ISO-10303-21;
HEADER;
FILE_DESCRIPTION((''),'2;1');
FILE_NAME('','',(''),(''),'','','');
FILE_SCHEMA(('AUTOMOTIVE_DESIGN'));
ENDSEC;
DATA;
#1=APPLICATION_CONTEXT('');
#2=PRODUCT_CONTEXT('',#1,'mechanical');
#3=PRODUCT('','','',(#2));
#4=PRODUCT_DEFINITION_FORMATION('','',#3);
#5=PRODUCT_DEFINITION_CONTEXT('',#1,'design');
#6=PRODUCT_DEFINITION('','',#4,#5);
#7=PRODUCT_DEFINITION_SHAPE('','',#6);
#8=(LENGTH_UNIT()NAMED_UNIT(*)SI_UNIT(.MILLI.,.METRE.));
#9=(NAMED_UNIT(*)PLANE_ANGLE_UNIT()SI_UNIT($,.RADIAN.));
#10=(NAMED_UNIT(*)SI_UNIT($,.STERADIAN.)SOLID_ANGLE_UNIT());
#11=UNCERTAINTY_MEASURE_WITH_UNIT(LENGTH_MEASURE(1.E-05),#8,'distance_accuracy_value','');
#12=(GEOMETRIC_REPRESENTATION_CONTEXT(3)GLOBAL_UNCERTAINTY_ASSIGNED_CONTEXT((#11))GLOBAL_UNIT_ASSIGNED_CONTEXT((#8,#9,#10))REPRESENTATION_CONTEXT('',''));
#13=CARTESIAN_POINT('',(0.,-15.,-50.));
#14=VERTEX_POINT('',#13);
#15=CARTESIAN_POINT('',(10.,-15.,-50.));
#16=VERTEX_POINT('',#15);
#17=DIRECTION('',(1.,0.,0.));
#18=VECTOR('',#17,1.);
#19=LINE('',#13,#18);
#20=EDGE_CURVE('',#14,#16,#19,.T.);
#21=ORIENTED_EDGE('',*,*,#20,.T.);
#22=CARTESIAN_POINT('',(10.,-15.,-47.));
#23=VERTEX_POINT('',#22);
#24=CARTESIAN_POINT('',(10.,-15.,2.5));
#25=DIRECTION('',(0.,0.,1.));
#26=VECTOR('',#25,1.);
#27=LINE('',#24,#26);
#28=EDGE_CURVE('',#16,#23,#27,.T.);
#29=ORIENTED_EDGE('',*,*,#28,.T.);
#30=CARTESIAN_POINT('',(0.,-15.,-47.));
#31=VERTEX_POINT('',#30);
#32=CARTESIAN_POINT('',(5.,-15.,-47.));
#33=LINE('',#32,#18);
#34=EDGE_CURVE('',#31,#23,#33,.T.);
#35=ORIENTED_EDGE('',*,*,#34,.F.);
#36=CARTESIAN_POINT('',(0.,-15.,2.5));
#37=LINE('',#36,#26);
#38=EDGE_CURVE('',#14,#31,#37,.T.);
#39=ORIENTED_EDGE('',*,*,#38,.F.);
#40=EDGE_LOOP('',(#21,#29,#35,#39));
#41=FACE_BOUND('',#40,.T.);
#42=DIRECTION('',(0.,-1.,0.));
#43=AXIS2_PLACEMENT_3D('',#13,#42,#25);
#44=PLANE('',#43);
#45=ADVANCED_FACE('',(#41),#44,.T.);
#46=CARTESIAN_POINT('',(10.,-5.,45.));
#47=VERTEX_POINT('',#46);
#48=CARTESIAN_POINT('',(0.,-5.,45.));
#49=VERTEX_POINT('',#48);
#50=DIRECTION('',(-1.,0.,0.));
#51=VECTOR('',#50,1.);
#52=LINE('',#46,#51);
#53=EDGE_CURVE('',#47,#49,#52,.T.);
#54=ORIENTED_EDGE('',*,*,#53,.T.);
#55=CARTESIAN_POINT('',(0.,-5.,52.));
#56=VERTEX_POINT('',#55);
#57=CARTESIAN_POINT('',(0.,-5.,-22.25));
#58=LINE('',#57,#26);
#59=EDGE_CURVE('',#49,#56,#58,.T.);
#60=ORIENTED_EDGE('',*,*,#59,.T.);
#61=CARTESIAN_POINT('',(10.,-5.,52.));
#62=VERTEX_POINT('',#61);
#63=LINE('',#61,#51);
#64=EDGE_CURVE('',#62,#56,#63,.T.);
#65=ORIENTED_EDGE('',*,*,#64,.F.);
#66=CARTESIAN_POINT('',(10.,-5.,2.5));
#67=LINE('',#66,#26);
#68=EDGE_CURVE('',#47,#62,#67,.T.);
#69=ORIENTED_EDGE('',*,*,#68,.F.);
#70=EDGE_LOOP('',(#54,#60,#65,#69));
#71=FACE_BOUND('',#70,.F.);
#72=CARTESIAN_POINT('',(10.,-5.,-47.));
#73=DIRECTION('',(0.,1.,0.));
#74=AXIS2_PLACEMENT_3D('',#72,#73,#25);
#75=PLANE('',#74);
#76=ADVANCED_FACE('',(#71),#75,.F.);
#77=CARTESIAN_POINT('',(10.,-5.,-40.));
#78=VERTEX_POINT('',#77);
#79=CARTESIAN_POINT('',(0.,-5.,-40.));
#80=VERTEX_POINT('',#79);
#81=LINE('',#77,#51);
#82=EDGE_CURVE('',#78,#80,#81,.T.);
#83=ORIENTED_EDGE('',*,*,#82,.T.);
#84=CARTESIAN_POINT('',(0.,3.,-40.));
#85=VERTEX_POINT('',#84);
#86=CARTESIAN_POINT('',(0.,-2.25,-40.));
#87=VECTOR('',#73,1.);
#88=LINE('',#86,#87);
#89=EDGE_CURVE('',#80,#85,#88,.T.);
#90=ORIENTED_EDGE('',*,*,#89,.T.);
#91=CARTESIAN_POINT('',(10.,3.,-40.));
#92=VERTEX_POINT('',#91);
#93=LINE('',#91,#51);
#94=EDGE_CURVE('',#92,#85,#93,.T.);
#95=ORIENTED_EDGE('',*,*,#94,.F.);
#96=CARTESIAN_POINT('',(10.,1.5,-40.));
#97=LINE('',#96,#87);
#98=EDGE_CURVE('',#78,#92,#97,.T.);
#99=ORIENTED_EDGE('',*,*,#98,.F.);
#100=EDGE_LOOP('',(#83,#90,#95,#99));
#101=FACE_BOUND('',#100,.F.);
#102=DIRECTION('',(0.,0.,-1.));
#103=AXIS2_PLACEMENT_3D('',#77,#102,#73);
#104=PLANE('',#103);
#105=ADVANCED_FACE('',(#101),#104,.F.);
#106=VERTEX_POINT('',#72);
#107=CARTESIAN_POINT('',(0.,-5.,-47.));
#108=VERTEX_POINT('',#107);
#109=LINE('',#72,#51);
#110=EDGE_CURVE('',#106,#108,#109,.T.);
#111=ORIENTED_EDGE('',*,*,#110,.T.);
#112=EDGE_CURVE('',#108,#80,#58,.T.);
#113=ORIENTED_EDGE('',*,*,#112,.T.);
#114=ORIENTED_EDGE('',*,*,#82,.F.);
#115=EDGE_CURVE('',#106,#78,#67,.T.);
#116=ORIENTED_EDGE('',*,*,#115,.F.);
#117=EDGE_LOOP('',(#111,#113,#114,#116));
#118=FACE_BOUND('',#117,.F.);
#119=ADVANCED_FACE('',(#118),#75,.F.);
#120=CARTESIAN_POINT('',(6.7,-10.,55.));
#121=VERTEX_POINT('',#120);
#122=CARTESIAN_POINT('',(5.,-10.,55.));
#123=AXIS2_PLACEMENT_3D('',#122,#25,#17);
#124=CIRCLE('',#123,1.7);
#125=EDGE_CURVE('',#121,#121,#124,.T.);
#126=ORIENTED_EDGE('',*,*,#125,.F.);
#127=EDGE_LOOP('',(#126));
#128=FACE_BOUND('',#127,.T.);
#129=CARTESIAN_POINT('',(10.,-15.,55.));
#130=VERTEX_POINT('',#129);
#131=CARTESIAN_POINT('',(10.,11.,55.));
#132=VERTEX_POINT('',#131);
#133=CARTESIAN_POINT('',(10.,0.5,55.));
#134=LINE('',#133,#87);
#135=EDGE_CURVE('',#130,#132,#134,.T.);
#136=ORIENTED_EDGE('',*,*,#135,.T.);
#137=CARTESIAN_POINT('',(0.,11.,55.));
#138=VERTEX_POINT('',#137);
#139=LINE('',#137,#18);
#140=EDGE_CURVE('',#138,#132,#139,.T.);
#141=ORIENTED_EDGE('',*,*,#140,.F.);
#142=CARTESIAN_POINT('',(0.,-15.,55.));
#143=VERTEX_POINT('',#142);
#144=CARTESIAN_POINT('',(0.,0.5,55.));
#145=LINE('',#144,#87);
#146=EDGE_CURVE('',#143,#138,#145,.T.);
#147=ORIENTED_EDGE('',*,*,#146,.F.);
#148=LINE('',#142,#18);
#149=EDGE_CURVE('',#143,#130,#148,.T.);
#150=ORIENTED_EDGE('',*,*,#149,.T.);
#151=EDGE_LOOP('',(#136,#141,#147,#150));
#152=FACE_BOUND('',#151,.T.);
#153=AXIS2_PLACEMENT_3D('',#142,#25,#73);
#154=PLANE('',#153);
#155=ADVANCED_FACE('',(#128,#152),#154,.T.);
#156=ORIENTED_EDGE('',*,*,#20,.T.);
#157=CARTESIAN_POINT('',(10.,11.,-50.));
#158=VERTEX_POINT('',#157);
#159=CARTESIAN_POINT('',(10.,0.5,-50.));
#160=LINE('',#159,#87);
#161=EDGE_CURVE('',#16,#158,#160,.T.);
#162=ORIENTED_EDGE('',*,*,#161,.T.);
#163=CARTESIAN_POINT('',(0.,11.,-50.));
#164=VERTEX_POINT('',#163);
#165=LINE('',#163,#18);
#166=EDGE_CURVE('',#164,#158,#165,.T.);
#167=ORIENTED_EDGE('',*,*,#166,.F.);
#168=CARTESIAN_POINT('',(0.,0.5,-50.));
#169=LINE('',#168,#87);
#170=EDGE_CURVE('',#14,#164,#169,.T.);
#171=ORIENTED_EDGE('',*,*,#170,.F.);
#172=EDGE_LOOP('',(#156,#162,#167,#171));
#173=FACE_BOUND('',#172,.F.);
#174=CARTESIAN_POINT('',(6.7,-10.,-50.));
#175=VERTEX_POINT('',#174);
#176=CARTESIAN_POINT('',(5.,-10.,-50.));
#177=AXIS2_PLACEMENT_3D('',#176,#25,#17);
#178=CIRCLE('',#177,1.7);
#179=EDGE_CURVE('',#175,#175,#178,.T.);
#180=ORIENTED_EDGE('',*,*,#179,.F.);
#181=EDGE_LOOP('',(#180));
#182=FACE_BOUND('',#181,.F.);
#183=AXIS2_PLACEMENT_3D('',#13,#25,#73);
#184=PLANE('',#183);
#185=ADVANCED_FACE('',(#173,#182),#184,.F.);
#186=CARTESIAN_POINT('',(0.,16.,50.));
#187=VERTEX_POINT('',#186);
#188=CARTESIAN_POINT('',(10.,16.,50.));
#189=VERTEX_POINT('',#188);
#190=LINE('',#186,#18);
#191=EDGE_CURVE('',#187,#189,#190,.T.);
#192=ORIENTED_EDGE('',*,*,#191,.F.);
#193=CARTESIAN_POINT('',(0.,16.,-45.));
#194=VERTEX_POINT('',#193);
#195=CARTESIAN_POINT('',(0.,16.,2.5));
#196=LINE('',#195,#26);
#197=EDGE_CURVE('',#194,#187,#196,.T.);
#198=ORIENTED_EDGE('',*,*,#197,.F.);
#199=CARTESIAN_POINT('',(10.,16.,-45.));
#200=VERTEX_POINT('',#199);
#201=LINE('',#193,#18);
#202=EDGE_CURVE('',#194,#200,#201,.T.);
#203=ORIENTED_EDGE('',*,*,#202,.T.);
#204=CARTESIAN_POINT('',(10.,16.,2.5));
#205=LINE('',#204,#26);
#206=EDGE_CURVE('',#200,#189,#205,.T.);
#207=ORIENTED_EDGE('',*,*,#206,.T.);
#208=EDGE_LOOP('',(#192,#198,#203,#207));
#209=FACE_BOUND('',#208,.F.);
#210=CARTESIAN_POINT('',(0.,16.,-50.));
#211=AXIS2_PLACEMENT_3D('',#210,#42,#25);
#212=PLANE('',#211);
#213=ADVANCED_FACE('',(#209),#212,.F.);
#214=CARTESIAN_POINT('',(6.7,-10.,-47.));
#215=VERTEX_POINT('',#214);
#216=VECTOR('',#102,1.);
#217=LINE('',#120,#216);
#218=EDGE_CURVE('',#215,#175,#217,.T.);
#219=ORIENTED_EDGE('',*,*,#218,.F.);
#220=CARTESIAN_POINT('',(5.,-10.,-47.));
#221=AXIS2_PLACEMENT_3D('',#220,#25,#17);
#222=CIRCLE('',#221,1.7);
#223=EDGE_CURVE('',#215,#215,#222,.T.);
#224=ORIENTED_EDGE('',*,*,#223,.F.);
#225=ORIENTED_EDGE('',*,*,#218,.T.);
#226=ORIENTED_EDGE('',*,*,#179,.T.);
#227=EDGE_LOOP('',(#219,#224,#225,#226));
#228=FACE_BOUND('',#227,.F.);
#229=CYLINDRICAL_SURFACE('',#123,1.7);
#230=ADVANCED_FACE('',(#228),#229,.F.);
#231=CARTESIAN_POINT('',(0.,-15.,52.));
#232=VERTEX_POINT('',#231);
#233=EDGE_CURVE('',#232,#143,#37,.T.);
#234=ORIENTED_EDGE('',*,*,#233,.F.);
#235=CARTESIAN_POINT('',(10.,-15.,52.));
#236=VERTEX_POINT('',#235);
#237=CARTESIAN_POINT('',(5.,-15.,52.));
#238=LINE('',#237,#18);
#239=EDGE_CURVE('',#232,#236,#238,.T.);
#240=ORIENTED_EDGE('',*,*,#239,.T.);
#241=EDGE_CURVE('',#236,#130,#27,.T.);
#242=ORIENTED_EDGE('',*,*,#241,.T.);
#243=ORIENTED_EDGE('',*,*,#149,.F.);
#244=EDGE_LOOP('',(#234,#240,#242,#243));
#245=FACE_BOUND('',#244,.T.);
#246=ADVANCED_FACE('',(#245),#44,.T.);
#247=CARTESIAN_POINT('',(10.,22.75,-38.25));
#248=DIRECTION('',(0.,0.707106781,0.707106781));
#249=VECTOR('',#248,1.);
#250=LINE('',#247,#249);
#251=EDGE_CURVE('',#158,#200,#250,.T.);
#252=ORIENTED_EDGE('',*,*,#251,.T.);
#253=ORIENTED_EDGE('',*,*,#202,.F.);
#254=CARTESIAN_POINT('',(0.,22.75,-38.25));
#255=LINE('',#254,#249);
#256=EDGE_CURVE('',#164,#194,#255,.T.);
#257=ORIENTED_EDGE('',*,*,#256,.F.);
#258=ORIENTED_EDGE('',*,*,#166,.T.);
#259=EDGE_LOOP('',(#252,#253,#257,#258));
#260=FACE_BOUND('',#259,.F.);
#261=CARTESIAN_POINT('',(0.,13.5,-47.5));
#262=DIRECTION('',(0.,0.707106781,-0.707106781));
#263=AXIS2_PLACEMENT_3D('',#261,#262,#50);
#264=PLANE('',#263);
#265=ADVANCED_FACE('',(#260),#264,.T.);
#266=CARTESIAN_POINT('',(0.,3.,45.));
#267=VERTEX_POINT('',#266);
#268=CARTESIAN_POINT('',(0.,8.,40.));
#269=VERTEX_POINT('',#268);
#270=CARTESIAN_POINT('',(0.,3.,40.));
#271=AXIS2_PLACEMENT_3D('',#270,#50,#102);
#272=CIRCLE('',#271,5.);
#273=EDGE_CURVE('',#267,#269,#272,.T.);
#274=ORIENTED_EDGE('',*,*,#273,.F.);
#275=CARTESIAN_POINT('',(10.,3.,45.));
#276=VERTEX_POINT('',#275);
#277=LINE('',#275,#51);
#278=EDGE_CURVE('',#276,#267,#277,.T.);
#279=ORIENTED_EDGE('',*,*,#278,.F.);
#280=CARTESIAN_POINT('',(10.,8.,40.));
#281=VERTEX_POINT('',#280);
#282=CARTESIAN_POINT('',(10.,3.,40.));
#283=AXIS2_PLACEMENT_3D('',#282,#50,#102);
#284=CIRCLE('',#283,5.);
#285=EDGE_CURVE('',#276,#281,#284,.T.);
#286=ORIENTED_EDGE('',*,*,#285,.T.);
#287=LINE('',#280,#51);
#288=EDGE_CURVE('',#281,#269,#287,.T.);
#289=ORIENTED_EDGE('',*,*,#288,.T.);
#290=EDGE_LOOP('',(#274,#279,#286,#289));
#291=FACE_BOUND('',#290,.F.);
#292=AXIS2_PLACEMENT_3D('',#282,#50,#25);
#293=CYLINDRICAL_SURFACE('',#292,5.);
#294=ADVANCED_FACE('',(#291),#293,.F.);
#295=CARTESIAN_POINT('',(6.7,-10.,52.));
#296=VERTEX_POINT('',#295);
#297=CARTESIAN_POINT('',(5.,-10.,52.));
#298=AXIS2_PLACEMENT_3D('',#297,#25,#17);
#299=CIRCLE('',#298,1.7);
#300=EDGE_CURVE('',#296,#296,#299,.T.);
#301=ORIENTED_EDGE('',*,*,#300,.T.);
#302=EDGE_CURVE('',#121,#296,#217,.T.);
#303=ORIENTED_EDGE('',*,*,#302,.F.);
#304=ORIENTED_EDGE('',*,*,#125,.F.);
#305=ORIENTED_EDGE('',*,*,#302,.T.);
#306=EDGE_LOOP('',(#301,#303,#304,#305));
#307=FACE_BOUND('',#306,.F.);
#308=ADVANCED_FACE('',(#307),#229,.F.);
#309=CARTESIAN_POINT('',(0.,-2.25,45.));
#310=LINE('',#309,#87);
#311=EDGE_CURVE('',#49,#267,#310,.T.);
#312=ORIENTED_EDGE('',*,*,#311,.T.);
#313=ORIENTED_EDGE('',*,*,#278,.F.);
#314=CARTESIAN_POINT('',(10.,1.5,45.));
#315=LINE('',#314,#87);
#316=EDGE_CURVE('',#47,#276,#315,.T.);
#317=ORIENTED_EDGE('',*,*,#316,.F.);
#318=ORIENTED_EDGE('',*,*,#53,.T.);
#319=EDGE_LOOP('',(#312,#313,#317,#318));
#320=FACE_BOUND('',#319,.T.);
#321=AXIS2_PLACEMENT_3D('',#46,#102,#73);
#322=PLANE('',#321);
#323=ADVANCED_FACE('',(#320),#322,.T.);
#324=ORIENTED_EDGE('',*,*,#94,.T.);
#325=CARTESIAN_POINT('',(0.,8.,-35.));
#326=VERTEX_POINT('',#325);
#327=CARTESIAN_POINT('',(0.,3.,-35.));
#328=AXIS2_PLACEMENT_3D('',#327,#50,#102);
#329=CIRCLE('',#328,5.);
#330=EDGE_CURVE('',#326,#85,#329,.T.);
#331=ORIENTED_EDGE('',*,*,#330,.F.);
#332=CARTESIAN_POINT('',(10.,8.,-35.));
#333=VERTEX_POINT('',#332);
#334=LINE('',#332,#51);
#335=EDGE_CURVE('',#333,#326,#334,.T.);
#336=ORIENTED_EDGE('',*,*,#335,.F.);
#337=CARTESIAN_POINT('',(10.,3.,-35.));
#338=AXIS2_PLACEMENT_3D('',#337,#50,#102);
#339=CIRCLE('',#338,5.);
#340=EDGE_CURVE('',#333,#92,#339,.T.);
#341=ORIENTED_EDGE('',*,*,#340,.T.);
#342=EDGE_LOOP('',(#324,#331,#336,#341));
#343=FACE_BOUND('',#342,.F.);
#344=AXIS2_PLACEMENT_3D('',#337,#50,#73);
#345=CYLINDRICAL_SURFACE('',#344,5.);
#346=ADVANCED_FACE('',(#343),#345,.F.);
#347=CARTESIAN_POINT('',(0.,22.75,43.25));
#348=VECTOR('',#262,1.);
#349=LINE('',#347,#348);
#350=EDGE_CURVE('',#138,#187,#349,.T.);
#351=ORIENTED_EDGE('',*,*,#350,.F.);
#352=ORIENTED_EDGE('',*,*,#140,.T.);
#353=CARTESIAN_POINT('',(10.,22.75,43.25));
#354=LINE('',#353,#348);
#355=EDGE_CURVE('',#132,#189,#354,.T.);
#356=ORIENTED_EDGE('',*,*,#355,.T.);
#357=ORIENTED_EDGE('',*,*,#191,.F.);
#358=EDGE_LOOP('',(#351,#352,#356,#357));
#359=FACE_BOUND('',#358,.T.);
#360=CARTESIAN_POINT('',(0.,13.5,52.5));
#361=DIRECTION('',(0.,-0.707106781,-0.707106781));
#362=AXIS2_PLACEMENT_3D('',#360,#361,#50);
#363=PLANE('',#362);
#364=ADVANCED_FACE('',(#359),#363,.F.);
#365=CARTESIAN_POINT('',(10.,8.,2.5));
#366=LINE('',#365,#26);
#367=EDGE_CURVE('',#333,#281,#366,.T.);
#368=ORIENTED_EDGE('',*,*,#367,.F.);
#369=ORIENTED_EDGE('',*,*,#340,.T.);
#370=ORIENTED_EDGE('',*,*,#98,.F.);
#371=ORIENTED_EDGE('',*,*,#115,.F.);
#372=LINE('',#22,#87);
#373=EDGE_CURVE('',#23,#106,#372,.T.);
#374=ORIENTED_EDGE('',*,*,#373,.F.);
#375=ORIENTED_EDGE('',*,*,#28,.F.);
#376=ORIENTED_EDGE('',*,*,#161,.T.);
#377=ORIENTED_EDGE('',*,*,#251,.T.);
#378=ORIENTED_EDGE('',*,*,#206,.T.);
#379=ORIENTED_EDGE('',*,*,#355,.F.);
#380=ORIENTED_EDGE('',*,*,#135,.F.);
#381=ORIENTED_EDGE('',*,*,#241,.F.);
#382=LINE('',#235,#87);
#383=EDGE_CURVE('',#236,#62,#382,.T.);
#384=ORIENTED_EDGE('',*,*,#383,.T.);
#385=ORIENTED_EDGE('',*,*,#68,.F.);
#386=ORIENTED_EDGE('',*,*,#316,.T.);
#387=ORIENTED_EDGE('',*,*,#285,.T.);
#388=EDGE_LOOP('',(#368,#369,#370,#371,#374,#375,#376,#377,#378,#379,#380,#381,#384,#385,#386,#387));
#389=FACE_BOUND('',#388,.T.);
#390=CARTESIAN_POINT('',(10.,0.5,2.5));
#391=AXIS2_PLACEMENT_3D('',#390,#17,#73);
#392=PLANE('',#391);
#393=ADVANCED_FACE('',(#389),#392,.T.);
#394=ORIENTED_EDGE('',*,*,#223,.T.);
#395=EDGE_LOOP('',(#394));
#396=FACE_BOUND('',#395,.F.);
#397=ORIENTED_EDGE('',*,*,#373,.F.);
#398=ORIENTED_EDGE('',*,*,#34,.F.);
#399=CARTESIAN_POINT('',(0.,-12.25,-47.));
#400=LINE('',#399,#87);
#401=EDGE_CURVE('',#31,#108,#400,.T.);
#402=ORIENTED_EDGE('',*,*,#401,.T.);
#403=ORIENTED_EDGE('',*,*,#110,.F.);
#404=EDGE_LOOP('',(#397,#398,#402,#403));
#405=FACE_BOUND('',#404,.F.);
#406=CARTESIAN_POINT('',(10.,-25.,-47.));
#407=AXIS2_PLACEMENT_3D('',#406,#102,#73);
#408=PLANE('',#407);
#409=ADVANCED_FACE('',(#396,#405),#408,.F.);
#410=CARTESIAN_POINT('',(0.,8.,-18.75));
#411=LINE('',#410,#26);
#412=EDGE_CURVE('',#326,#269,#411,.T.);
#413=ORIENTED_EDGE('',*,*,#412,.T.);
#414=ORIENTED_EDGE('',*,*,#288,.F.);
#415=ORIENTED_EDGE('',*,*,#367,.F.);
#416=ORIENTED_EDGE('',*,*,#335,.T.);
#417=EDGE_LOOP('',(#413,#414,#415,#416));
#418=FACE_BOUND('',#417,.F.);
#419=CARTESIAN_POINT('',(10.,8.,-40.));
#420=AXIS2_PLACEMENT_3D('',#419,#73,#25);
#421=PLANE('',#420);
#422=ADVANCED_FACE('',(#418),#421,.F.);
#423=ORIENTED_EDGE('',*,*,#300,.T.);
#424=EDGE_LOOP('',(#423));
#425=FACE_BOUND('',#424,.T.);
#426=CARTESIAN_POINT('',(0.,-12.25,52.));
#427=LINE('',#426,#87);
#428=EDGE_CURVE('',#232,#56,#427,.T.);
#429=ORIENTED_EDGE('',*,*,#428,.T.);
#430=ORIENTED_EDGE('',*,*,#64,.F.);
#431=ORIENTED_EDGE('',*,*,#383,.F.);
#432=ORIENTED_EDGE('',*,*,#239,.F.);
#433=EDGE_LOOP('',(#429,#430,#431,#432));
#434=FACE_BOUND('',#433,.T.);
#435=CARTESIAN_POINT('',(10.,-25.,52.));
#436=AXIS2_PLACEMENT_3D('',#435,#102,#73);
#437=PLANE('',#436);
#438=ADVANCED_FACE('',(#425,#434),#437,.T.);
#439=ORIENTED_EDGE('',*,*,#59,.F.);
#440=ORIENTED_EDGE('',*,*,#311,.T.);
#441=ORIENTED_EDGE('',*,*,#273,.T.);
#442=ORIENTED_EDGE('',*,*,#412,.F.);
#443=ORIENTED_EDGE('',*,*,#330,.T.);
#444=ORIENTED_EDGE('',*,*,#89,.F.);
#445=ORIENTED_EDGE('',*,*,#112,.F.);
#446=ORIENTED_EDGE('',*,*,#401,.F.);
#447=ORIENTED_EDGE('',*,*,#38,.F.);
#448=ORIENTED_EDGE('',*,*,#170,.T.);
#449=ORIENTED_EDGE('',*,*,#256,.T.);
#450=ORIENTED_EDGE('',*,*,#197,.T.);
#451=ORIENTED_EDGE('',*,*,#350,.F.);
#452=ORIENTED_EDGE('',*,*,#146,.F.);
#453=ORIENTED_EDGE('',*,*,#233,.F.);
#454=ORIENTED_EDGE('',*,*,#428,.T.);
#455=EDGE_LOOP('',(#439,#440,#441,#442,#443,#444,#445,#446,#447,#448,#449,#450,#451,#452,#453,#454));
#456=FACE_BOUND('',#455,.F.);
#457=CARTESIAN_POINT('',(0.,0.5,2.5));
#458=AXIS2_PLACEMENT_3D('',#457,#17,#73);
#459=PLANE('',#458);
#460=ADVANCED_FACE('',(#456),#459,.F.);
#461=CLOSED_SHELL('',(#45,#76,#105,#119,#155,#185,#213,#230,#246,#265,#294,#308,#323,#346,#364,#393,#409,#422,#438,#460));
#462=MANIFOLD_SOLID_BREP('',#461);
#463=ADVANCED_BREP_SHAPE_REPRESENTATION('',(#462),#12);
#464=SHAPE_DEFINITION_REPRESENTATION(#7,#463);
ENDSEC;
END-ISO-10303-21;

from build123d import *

# Parameters (mm, degrees)
F0_W     = 31
F0_H     = 105
F1_DEPTH = 10
F2_W     = 20
F2_H     = 99
F3_DEPTH = 10.001
F4_W     = 13
F4_H     = 85
F5_DEPTH = 10.001
F6_SIZE  = 5
F7_R     = 1.7
F8_DEPTH = 105.001
F9_R     = 5


with BuildPart() as f1:
    # F0 (on Right) → F1 (new body)
    with BuildSketch(Plane.YZ):
        with Locations((0.5, 2.5)):
            Rectangle(F0_W, F0_H)
    extrude(amount=F1_DEPTH)

    # F2 (on face) → F3 (cut, through all)
    with BuildSketch(Plane.YZ.offset(10)):
        with Locations((-15, 2.5)):
            Rectangle(F2_W, F2_H)
    extrude(amount=-F3_DEPTH, mode=Mode.SUBTRACT)

    # F4 (on face) → F5 (cut, through all)
    with BuildSketch(Plane.YZ.offset(10)):
        with Locations((1.5, 2.5)):
            Rectangle(F4_W, F4_H)
    extrude(amount=-F5_DEPTH, mode=Mode.SUBTRACT)

    # F6
    f6_edges = [f1.edges().sort_by_distance(p)[0] for p in [
        (5, 16, 55),
        (5, 16, -50),
    ]]
    chamfer(f6_edges, length=F6_SIZE)

    # F7 (on face) → F8 (cut, through all)
    with BuildSketch(Plane.XY.offset(55)):
        with Locations((5, -10)):
            Circle(F7_R)
    extrude(amount=-F8_DEPTH, mode=Mode.SUBTRACT)

    # F9
    f9_edges = [f1.edges().sort_by_distance(p)[0] for p in [
        (5, 8, 45),
        (5, 8, -40),
    ]]
    fillet(f9_edges, radius=F9_R)


solid = f1.part
